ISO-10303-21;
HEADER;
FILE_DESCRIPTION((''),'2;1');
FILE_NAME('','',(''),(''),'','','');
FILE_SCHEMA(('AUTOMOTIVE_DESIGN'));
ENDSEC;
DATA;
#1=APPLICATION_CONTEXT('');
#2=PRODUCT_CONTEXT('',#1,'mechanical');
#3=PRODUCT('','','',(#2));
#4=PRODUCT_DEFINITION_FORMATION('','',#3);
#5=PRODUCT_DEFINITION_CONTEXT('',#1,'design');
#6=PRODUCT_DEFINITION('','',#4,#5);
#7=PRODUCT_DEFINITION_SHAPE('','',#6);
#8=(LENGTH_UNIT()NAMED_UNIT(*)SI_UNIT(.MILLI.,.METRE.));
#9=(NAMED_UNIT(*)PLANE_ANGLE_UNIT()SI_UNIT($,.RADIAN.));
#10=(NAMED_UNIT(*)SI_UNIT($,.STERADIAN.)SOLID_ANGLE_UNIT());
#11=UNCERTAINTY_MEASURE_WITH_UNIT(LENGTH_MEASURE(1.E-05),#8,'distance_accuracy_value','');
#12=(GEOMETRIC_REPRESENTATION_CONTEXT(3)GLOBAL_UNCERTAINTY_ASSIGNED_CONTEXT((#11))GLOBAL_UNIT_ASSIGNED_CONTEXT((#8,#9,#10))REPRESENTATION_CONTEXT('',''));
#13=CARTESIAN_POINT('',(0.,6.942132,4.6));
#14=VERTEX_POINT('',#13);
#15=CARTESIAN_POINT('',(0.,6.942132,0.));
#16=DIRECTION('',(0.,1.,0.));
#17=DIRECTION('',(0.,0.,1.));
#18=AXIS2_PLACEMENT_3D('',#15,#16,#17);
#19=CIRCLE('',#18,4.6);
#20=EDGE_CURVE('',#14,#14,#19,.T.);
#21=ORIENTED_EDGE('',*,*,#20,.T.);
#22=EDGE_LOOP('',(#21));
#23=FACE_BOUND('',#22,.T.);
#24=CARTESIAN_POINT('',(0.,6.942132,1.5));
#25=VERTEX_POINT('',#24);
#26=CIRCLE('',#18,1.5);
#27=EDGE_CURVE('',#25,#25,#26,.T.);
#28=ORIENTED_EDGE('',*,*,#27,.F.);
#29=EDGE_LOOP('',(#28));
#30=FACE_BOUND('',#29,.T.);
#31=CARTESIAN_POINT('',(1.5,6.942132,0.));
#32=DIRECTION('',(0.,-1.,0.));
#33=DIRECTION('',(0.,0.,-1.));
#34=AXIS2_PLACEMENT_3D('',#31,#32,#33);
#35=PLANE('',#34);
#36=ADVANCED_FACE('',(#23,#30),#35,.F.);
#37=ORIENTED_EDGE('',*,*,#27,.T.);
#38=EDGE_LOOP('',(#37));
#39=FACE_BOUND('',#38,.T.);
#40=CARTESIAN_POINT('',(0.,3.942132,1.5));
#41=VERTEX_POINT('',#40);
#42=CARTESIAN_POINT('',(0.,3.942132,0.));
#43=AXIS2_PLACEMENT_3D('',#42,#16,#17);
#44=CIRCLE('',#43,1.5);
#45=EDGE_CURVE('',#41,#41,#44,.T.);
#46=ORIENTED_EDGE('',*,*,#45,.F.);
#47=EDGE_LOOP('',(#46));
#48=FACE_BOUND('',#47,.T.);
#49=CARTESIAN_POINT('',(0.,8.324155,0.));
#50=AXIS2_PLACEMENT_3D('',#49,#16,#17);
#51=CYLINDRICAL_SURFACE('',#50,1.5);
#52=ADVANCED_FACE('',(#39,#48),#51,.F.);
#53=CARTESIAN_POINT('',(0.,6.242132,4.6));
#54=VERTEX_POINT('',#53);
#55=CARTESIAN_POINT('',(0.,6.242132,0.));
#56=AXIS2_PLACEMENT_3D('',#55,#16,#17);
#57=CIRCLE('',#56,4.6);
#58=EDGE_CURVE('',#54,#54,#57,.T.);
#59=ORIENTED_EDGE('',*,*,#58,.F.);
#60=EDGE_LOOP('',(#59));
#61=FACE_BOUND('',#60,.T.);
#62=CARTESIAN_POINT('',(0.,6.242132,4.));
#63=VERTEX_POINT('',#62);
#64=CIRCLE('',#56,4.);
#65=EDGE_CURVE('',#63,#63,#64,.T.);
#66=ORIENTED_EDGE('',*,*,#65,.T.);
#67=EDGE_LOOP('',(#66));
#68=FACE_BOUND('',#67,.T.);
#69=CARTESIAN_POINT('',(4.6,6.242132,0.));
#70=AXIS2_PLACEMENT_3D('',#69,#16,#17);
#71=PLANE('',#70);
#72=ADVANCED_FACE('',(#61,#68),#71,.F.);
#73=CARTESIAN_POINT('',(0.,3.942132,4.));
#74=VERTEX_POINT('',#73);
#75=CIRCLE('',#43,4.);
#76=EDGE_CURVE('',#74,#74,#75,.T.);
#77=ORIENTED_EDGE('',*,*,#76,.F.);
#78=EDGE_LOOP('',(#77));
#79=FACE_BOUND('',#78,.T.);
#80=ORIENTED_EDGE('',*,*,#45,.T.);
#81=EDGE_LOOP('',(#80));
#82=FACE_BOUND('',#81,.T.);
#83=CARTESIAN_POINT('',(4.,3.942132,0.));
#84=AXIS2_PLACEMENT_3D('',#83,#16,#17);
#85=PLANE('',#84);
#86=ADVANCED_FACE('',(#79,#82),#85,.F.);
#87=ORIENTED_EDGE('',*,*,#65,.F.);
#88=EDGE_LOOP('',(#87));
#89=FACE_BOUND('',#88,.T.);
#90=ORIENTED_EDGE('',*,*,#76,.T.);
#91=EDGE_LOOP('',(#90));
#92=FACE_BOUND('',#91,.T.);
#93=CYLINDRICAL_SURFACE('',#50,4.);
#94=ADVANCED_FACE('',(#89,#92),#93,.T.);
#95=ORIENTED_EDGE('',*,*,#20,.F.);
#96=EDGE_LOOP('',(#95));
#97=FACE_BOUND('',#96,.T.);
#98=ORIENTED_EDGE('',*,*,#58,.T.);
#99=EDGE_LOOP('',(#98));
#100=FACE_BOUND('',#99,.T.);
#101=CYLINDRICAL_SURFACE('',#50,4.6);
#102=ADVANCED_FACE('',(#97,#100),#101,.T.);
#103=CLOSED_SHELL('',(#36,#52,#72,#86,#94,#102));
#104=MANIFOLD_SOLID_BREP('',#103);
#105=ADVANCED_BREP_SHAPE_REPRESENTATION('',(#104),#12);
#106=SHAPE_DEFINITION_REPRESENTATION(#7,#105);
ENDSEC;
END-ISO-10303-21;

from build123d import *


with BuildPart() as part:
    # 草图2 → 旋转1 (revolve)
    with BuildSketch(Plane.XY, mode=Mode.PRIVATE) as revolve_1_sk:
        Polygon((1.5, 6.942132084), (4.6, 6.942132084), (4.6, 6.242132084), (4, 6.242132084), (4, 3.942132084), (1.5, 3.942132084), align=None)
    revolve(revolve_1_sk.sketch.rotate(Axis((0, 8.324154556, 0), (0, -1, 0)), 90), axis=Axis((0, 8.324154556, 0), (0, -1, 0)))


solid = part.part
